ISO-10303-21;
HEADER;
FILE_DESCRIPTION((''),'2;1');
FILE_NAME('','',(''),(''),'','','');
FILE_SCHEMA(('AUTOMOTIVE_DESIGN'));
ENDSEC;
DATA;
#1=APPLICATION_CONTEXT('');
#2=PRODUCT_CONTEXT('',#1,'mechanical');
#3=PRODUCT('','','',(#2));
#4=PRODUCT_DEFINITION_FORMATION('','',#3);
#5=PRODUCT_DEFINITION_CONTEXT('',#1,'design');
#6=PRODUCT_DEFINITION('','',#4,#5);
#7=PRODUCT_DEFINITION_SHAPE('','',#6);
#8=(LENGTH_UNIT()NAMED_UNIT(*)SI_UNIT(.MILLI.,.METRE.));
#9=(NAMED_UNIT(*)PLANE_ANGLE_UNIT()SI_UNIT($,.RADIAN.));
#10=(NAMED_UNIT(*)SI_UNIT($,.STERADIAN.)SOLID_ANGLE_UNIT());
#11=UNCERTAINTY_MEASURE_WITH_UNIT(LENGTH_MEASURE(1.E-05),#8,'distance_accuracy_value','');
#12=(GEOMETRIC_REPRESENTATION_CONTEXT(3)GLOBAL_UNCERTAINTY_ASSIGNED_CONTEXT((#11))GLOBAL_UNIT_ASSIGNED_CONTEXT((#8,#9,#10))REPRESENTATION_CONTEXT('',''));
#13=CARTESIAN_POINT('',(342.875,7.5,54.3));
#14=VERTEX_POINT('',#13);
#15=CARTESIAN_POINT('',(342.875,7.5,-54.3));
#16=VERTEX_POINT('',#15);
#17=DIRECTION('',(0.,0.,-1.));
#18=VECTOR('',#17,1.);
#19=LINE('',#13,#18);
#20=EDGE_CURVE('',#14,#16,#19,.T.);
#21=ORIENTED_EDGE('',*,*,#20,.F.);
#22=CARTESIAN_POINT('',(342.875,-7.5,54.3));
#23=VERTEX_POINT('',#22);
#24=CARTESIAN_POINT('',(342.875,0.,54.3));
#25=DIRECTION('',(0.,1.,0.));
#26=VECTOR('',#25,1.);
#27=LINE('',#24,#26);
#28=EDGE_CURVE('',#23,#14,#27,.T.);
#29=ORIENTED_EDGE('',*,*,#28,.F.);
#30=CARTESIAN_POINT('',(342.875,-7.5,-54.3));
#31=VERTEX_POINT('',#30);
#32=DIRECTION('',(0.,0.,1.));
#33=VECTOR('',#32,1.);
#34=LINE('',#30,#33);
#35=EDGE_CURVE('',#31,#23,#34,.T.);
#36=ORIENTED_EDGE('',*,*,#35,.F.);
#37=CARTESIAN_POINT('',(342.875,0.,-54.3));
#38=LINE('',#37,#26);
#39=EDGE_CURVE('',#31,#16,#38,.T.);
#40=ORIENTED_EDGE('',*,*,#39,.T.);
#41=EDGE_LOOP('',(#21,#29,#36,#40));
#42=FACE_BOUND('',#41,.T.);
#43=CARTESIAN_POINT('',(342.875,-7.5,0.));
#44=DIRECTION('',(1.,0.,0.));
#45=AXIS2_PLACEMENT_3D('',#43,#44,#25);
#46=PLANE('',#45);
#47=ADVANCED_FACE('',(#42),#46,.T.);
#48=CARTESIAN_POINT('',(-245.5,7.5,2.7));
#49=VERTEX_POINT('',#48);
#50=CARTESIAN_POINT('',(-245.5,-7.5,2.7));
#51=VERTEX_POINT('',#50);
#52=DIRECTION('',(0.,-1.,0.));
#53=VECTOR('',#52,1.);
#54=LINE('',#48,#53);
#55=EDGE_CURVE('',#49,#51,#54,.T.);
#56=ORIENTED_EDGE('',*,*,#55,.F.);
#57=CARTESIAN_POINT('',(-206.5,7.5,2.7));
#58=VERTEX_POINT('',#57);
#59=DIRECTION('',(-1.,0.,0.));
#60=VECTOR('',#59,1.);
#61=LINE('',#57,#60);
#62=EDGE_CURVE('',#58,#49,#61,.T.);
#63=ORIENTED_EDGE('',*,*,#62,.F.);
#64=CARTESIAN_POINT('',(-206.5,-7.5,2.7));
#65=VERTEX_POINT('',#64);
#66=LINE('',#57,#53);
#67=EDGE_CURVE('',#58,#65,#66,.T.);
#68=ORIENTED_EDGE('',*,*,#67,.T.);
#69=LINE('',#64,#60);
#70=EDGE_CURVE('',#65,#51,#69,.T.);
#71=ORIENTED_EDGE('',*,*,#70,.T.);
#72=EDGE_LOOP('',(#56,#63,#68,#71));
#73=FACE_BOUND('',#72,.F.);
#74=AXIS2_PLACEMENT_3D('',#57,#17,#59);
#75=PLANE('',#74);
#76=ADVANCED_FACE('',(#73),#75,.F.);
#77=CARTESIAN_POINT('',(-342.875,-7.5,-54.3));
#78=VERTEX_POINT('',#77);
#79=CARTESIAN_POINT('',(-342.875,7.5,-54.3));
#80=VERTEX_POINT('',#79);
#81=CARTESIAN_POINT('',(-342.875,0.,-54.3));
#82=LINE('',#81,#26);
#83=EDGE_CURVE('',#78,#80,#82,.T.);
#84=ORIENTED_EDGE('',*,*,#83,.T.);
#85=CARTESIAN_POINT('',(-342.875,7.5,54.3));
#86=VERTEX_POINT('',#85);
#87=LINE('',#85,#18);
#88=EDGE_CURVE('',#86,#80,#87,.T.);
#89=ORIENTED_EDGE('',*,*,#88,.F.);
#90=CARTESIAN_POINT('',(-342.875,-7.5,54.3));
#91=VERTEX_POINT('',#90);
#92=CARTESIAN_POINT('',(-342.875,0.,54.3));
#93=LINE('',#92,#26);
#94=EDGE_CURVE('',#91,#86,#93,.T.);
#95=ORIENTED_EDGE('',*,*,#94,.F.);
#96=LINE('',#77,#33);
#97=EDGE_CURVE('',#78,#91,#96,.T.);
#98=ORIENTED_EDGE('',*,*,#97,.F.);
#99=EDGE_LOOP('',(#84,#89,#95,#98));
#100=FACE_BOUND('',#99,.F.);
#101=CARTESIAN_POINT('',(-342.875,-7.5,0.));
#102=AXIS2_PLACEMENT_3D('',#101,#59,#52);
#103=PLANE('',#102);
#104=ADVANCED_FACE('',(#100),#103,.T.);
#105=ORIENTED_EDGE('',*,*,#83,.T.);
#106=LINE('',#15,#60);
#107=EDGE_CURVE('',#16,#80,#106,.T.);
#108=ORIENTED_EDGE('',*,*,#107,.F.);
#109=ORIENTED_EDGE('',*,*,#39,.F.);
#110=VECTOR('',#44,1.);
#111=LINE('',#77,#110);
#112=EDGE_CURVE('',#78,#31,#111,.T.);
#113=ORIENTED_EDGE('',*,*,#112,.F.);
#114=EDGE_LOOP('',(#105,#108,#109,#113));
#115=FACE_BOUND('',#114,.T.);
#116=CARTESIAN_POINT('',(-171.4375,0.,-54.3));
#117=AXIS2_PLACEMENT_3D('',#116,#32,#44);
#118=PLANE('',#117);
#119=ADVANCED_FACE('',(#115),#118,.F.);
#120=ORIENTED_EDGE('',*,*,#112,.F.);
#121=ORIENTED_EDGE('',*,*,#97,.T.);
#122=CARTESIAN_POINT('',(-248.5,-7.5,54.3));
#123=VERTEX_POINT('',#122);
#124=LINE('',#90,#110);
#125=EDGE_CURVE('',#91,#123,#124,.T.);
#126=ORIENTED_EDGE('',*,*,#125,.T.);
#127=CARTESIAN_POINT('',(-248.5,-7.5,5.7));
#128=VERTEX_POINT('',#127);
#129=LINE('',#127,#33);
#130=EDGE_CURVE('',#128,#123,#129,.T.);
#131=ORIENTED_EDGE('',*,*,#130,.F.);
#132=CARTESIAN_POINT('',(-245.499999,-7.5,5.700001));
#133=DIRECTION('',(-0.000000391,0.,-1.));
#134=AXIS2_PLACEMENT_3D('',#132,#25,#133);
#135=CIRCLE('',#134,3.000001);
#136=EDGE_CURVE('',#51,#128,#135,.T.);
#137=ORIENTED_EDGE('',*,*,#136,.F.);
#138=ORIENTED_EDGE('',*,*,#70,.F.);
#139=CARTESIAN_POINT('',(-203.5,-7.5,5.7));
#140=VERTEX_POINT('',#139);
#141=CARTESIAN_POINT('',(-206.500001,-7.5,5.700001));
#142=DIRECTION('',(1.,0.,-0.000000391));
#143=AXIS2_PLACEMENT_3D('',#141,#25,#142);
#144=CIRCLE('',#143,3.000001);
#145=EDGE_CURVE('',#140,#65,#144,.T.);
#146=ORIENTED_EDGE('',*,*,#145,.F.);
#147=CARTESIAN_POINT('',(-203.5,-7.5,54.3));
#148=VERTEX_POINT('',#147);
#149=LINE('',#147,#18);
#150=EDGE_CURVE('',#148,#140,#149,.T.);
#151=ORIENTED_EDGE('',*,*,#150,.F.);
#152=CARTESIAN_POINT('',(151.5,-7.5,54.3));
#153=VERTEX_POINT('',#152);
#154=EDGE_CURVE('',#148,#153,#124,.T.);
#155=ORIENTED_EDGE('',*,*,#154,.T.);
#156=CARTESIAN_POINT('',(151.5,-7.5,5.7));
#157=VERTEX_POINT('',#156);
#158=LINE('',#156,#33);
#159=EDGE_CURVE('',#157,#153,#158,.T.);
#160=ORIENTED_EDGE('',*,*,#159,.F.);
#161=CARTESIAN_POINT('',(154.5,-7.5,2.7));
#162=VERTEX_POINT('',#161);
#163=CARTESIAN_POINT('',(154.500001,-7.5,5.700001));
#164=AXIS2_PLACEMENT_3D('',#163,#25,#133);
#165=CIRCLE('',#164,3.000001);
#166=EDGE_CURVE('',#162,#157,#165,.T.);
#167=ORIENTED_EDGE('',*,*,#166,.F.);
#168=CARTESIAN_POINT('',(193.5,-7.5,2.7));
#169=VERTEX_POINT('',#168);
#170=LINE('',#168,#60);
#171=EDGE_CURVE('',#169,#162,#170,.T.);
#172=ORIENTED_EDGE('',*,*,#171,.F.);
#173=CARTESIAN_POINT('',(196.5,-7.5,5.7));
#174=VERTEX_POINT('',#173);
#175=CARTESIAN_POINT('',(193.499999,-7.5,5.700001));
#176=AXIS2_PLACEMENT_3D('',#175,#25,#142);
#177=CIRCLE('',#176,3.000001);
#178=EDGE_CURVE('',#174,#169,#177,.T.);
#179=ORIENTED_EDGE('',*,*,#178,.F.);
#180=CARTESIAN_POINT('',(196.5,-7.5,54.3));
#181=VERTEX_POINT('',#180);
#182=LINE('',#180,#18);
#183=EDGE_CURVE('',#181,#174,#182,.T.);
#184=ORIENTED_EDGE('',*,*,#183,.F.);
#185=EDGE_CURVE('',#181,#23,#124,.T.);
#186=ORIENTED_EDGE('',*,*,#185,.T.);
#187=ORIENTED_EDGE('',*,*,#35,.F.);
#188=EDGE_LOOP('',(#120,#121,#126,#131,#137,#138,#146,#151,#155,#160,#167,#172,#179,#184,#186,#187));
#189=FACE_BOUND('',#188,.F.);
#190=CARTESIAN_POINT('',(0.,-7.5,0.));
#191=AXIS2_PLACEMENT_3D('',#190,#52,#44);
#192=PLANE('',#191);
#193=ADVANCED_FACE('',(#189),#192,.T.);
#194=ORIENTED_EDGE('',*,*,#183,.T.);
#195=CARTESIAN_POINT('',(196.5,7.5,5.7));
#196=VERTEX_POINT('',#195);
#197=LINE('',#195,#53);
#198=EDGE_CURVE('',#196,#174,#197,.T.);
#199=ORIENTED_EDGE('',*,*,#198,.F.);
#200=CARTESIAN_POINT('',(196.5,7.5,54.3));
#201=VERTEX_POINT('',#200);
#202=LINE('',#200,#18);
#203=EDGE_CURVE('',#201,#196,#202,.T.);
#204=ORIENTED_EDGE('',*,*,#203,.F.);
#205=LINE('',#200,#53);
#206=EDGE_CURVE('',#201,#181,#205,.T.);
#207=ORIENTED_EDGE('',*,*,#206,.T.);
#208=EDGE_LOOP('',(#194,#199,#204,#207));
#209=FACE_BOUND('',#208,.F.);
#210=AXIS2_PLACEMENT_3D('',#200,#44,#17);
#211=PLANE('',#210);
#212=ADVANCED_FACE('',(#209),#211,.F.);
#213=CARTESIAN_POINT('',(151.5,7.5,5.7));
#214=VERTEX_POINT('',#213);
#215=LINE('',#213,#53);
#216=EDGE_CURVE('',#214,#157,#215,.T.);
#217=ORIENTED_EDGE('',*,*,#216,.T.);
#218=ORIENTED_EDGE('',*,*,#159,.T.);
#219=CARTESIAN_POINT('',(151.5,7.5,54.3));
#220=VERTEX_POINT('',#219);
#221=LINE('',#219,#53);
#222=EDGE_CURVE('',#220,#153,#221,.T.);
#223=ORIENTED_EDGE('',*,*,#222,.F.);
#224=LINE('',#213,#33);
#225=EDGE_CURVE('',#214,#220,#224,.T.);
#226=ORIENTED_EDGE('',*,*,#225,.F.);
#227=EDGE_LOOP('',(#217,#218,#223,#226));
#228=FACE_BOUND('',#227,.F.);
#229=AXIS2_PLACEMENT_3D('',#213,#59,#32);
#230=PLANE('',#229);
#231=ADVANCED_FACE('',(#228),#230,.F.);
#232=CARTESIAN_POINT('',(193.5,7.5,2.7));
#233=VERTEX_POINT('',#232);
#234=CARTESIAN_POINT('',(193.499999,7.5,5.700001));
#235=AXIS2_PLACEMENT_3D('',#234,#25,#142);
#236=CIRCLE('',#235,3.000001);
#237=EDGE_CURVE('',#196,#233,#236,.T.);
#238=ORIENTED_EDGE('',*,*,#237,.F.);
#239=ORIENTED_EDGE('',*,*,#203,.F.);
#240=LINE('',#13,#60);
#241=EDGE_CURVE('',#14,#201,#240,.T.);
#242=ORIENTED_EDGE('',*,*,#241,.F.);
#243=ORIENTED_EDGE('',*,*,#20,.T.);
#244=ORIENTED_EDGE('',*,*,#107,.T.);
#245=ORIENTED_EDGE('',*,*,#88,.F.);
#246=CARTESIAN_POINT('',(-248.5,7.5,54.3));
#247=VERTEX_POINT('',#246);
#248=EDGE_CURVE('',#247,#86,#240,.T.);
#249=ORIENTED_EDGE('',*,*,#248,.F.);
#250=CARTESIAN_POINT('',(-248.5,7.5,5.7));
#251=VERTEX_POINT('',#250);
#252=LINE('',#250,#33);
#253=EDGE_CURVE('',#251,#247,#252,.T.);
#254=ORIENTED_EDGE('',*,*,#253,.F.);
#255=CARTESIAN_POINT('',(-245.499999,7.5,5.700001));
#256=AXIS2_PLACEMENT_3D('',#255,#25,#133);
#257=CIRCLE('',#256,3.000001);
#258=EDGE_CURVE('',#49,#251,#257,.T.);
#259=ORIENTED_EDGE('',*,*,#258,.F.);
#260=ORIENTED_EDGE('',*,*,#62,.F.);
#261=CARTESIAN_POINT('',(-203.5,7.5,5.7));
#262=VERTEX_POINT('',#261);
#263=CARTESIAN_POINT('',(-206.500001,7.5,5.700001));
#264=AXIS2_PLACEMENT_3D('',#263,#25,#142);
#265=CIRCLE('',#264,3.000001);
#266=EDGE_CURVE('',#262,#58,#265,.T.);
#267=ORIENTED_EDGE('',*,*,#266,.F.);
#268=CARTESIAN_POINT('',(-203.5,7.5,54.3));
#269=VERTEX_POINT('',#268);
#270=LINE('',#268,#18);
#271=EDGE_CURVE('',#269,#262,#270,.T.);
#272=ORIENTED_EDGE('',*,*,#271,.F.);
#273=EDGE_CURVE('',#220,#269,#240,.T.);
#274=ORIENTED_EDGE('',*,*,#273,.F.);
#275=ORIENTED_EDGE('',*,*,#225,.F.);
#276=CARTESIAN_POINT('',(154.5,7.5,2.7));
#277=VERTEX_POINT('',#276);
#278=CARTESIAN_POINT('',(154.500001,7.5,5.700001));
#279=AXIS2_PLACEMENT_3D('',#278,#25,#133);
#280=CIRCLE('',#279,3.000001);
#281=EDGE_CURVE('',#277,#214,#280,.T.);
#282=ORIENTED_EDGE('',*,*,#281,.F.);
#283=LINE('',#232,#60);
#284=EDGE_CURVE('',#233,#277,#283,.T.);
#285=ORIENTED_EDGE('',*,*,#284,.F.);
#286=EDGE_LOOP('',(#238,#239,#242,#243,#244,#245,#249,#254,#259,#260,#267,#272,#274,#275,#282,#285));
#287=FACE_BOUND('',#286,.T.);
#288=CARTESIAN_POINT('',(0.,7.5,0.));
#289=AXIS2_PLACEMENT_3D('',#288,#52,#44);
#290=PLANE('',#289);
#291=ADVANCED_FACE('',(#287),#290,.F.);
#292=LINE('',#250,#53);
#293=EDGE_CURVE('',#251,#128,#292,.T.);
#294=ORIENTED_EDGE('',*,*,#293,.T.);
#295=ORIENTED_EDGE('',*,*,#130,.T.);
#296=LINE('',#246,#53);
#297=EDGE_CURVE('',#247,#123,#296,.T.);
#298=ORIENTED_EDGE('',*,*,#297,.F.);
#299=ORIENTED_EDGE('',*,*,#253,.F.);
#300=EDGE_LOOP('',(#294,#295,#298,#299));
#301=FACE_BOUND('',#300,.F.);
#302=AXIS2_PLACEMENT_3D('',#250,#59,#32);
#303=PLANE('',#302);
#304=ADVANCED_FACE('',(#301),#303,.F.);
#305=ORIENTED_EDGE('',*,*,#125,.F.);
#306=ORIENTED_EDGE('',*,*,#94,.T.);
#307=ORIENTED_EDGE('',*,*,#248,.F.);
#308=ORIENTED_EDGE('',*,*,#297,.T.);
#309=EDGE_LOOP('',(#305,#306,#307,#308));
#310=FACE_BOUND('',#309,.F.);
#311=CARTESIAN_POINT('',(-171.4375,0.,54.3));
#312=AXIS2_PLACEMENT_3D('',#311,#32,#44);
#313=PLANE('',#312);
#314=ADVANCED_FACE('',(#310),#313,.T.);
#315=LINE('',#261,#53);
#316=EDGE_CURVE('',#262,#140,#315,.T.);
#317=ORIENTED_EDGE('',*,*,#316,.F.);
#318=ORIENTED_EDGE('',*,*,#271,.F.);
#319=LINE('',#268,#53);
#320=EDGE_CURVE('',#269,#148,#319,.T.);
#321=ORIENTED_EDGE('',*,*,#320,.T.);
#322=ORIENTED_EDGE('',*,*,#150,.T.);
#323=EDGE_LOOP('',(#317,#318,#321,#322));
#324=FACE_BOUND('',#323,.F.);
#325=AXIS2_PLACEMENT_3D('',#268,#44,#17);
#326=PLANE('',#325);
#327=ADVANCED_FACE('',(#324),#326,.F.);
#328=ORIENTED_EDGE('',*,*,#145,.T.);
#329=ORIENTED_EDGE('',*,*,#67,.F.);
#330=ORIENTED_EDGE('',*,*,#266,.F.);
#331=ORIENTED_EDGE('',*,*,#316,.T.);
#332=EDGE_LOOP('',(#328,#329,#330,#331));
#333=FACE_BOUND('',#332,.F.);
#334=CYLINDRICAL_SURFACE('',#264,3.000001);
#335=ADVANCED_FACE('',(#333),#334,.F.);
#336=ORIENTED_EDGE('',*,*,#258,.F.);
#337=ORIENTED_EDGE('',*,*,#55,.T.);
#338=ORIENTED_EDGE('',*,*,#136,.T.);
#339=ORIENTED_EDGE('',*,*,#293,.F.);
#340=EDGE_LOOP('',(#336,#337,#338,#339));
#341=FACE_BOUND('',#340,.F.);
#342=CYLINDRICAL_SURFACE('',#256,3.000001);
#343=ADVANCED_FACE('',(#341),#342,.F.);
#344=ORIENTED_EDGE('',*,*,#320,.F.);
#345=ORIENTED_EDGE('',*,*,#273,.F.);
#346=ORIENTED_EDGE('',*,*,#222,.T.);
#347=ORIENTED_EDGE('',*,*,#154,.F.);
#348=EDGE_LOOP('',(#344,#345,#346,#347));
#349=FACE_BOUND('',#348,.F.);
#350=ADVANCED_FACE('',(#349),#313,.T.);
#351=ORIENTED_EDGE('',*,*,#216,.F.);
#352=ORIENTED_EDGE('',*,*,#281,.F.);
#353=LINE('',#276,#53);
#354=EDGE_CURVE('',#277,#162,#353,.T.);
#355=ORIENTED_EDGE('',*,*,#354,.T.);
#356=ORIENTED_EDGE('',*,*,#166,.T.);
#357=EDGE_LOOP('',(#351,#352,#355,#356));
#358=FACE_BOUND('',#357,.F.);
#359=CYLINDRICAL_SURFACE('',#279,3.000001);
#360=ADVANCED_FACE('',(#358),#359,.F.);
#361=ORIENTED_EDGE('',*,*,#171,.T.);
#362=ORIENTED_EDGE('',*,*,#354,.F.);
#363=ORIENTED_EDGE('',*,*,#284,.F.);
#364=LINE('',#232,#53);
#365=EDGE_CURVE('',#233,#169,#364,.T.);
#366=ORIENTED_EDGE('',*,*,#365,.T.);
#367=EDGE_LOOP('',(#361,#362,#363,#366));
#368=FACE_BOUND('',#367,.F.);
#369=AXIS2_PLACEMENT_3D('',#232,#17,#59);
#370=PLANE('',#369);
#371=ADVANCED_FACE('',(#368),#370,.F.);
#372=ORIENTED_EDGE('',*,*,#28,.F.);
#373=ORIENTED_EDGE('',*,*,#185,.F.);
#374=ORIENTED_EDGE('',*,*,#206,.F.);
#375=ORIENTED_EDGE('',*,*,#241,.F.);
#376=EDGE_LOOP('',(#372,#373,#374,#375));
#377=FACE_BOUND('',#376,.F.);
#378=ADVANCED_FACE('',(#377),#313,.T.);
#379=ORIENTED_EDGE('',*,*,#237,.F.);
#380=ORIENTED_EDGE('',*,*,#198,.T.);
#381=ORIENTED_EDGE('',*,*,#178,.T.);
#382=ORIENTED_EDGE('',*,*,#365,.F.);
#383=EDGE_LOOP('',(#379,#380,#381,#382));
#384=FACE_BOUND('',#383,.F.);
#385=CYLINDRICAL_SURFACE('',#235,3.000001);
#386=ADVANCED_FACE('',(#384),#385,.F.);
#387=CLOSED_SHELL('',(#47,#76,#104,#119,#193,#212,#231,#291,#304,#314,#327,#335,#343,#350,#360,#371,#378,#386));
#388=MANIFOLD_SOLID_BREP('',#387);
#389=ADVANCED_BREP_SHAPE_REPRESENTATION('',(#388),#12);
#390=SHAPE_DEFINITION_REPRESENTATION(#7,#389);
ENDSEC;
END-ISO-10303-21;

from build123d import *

# Parameters (mm, degrees)
F0_W     = 342.875
F0_H     = 15
F1_DEPTH = 54.3
F4_DEPTH = 15


with BuildPart() as f1:
    # F0 (on Top) → F1 (new body, symmetric)
    with BuildSketch(Plane.XY):
        with Locations((171.4375, 0)):
            Rectangle(F0_W, F0_H)
    extrude(amount=F1_DEPTH, both=True)

    # F2: F1 across face


with BuildPart() as f1_1:
    add(f1.part)
    add(f1.part.mirror(Plane(origin=(0, 0, 0), x_dir=(0, -1, 0), z_dir=(-1, 0, 0))))

    # F3 (on face) → F4 (cut, through all)
    with BuildSketch(Plane(origin=(0, 7.5, 0), x_dir=(-1, 0, 0), z_dir=(0, 1, 0))):
        with BuildLine():
            Line((-151.5, 54.3), (-196.5, 54.3))
            Line((-196.5, 54.3), (-196.5, 5.7))
            ThreePointArc((-196.5, 5.7), (-195.62132, 3.57868), (-193.5, 2.7))
            Line((-193.5, 2.7), (-154.5, 2.7))
            ThreePointArc((-154.5, 2.7), (-152.37868, 3.57868), (-151.5, 5.7))
            Line((-151.5, 5.7), (-151.5, 54.3))
        make_face()
        with BuildLine():
            Line((248.5, 54.3), (203.5, 54.3))
            Line((203.5, 54.3), (203.5, 5.7))
            ThreePointArc((203.5, 5.7), (204.37868, 3.57868), (206.5, 2.7))
            Line((206.5, 2.7), (245.5, 2.7))
            ThreePointArc((245.5, 2.7), (247.62132, 3.57868), (248.5, 5.7))
            Line((248.5, 5.7), (248.5, 54.3))
        make_face()
    extrude(amount=-F4_DEPTH, mode=Mode.SUBTRACT)


solid = f1_1.part
